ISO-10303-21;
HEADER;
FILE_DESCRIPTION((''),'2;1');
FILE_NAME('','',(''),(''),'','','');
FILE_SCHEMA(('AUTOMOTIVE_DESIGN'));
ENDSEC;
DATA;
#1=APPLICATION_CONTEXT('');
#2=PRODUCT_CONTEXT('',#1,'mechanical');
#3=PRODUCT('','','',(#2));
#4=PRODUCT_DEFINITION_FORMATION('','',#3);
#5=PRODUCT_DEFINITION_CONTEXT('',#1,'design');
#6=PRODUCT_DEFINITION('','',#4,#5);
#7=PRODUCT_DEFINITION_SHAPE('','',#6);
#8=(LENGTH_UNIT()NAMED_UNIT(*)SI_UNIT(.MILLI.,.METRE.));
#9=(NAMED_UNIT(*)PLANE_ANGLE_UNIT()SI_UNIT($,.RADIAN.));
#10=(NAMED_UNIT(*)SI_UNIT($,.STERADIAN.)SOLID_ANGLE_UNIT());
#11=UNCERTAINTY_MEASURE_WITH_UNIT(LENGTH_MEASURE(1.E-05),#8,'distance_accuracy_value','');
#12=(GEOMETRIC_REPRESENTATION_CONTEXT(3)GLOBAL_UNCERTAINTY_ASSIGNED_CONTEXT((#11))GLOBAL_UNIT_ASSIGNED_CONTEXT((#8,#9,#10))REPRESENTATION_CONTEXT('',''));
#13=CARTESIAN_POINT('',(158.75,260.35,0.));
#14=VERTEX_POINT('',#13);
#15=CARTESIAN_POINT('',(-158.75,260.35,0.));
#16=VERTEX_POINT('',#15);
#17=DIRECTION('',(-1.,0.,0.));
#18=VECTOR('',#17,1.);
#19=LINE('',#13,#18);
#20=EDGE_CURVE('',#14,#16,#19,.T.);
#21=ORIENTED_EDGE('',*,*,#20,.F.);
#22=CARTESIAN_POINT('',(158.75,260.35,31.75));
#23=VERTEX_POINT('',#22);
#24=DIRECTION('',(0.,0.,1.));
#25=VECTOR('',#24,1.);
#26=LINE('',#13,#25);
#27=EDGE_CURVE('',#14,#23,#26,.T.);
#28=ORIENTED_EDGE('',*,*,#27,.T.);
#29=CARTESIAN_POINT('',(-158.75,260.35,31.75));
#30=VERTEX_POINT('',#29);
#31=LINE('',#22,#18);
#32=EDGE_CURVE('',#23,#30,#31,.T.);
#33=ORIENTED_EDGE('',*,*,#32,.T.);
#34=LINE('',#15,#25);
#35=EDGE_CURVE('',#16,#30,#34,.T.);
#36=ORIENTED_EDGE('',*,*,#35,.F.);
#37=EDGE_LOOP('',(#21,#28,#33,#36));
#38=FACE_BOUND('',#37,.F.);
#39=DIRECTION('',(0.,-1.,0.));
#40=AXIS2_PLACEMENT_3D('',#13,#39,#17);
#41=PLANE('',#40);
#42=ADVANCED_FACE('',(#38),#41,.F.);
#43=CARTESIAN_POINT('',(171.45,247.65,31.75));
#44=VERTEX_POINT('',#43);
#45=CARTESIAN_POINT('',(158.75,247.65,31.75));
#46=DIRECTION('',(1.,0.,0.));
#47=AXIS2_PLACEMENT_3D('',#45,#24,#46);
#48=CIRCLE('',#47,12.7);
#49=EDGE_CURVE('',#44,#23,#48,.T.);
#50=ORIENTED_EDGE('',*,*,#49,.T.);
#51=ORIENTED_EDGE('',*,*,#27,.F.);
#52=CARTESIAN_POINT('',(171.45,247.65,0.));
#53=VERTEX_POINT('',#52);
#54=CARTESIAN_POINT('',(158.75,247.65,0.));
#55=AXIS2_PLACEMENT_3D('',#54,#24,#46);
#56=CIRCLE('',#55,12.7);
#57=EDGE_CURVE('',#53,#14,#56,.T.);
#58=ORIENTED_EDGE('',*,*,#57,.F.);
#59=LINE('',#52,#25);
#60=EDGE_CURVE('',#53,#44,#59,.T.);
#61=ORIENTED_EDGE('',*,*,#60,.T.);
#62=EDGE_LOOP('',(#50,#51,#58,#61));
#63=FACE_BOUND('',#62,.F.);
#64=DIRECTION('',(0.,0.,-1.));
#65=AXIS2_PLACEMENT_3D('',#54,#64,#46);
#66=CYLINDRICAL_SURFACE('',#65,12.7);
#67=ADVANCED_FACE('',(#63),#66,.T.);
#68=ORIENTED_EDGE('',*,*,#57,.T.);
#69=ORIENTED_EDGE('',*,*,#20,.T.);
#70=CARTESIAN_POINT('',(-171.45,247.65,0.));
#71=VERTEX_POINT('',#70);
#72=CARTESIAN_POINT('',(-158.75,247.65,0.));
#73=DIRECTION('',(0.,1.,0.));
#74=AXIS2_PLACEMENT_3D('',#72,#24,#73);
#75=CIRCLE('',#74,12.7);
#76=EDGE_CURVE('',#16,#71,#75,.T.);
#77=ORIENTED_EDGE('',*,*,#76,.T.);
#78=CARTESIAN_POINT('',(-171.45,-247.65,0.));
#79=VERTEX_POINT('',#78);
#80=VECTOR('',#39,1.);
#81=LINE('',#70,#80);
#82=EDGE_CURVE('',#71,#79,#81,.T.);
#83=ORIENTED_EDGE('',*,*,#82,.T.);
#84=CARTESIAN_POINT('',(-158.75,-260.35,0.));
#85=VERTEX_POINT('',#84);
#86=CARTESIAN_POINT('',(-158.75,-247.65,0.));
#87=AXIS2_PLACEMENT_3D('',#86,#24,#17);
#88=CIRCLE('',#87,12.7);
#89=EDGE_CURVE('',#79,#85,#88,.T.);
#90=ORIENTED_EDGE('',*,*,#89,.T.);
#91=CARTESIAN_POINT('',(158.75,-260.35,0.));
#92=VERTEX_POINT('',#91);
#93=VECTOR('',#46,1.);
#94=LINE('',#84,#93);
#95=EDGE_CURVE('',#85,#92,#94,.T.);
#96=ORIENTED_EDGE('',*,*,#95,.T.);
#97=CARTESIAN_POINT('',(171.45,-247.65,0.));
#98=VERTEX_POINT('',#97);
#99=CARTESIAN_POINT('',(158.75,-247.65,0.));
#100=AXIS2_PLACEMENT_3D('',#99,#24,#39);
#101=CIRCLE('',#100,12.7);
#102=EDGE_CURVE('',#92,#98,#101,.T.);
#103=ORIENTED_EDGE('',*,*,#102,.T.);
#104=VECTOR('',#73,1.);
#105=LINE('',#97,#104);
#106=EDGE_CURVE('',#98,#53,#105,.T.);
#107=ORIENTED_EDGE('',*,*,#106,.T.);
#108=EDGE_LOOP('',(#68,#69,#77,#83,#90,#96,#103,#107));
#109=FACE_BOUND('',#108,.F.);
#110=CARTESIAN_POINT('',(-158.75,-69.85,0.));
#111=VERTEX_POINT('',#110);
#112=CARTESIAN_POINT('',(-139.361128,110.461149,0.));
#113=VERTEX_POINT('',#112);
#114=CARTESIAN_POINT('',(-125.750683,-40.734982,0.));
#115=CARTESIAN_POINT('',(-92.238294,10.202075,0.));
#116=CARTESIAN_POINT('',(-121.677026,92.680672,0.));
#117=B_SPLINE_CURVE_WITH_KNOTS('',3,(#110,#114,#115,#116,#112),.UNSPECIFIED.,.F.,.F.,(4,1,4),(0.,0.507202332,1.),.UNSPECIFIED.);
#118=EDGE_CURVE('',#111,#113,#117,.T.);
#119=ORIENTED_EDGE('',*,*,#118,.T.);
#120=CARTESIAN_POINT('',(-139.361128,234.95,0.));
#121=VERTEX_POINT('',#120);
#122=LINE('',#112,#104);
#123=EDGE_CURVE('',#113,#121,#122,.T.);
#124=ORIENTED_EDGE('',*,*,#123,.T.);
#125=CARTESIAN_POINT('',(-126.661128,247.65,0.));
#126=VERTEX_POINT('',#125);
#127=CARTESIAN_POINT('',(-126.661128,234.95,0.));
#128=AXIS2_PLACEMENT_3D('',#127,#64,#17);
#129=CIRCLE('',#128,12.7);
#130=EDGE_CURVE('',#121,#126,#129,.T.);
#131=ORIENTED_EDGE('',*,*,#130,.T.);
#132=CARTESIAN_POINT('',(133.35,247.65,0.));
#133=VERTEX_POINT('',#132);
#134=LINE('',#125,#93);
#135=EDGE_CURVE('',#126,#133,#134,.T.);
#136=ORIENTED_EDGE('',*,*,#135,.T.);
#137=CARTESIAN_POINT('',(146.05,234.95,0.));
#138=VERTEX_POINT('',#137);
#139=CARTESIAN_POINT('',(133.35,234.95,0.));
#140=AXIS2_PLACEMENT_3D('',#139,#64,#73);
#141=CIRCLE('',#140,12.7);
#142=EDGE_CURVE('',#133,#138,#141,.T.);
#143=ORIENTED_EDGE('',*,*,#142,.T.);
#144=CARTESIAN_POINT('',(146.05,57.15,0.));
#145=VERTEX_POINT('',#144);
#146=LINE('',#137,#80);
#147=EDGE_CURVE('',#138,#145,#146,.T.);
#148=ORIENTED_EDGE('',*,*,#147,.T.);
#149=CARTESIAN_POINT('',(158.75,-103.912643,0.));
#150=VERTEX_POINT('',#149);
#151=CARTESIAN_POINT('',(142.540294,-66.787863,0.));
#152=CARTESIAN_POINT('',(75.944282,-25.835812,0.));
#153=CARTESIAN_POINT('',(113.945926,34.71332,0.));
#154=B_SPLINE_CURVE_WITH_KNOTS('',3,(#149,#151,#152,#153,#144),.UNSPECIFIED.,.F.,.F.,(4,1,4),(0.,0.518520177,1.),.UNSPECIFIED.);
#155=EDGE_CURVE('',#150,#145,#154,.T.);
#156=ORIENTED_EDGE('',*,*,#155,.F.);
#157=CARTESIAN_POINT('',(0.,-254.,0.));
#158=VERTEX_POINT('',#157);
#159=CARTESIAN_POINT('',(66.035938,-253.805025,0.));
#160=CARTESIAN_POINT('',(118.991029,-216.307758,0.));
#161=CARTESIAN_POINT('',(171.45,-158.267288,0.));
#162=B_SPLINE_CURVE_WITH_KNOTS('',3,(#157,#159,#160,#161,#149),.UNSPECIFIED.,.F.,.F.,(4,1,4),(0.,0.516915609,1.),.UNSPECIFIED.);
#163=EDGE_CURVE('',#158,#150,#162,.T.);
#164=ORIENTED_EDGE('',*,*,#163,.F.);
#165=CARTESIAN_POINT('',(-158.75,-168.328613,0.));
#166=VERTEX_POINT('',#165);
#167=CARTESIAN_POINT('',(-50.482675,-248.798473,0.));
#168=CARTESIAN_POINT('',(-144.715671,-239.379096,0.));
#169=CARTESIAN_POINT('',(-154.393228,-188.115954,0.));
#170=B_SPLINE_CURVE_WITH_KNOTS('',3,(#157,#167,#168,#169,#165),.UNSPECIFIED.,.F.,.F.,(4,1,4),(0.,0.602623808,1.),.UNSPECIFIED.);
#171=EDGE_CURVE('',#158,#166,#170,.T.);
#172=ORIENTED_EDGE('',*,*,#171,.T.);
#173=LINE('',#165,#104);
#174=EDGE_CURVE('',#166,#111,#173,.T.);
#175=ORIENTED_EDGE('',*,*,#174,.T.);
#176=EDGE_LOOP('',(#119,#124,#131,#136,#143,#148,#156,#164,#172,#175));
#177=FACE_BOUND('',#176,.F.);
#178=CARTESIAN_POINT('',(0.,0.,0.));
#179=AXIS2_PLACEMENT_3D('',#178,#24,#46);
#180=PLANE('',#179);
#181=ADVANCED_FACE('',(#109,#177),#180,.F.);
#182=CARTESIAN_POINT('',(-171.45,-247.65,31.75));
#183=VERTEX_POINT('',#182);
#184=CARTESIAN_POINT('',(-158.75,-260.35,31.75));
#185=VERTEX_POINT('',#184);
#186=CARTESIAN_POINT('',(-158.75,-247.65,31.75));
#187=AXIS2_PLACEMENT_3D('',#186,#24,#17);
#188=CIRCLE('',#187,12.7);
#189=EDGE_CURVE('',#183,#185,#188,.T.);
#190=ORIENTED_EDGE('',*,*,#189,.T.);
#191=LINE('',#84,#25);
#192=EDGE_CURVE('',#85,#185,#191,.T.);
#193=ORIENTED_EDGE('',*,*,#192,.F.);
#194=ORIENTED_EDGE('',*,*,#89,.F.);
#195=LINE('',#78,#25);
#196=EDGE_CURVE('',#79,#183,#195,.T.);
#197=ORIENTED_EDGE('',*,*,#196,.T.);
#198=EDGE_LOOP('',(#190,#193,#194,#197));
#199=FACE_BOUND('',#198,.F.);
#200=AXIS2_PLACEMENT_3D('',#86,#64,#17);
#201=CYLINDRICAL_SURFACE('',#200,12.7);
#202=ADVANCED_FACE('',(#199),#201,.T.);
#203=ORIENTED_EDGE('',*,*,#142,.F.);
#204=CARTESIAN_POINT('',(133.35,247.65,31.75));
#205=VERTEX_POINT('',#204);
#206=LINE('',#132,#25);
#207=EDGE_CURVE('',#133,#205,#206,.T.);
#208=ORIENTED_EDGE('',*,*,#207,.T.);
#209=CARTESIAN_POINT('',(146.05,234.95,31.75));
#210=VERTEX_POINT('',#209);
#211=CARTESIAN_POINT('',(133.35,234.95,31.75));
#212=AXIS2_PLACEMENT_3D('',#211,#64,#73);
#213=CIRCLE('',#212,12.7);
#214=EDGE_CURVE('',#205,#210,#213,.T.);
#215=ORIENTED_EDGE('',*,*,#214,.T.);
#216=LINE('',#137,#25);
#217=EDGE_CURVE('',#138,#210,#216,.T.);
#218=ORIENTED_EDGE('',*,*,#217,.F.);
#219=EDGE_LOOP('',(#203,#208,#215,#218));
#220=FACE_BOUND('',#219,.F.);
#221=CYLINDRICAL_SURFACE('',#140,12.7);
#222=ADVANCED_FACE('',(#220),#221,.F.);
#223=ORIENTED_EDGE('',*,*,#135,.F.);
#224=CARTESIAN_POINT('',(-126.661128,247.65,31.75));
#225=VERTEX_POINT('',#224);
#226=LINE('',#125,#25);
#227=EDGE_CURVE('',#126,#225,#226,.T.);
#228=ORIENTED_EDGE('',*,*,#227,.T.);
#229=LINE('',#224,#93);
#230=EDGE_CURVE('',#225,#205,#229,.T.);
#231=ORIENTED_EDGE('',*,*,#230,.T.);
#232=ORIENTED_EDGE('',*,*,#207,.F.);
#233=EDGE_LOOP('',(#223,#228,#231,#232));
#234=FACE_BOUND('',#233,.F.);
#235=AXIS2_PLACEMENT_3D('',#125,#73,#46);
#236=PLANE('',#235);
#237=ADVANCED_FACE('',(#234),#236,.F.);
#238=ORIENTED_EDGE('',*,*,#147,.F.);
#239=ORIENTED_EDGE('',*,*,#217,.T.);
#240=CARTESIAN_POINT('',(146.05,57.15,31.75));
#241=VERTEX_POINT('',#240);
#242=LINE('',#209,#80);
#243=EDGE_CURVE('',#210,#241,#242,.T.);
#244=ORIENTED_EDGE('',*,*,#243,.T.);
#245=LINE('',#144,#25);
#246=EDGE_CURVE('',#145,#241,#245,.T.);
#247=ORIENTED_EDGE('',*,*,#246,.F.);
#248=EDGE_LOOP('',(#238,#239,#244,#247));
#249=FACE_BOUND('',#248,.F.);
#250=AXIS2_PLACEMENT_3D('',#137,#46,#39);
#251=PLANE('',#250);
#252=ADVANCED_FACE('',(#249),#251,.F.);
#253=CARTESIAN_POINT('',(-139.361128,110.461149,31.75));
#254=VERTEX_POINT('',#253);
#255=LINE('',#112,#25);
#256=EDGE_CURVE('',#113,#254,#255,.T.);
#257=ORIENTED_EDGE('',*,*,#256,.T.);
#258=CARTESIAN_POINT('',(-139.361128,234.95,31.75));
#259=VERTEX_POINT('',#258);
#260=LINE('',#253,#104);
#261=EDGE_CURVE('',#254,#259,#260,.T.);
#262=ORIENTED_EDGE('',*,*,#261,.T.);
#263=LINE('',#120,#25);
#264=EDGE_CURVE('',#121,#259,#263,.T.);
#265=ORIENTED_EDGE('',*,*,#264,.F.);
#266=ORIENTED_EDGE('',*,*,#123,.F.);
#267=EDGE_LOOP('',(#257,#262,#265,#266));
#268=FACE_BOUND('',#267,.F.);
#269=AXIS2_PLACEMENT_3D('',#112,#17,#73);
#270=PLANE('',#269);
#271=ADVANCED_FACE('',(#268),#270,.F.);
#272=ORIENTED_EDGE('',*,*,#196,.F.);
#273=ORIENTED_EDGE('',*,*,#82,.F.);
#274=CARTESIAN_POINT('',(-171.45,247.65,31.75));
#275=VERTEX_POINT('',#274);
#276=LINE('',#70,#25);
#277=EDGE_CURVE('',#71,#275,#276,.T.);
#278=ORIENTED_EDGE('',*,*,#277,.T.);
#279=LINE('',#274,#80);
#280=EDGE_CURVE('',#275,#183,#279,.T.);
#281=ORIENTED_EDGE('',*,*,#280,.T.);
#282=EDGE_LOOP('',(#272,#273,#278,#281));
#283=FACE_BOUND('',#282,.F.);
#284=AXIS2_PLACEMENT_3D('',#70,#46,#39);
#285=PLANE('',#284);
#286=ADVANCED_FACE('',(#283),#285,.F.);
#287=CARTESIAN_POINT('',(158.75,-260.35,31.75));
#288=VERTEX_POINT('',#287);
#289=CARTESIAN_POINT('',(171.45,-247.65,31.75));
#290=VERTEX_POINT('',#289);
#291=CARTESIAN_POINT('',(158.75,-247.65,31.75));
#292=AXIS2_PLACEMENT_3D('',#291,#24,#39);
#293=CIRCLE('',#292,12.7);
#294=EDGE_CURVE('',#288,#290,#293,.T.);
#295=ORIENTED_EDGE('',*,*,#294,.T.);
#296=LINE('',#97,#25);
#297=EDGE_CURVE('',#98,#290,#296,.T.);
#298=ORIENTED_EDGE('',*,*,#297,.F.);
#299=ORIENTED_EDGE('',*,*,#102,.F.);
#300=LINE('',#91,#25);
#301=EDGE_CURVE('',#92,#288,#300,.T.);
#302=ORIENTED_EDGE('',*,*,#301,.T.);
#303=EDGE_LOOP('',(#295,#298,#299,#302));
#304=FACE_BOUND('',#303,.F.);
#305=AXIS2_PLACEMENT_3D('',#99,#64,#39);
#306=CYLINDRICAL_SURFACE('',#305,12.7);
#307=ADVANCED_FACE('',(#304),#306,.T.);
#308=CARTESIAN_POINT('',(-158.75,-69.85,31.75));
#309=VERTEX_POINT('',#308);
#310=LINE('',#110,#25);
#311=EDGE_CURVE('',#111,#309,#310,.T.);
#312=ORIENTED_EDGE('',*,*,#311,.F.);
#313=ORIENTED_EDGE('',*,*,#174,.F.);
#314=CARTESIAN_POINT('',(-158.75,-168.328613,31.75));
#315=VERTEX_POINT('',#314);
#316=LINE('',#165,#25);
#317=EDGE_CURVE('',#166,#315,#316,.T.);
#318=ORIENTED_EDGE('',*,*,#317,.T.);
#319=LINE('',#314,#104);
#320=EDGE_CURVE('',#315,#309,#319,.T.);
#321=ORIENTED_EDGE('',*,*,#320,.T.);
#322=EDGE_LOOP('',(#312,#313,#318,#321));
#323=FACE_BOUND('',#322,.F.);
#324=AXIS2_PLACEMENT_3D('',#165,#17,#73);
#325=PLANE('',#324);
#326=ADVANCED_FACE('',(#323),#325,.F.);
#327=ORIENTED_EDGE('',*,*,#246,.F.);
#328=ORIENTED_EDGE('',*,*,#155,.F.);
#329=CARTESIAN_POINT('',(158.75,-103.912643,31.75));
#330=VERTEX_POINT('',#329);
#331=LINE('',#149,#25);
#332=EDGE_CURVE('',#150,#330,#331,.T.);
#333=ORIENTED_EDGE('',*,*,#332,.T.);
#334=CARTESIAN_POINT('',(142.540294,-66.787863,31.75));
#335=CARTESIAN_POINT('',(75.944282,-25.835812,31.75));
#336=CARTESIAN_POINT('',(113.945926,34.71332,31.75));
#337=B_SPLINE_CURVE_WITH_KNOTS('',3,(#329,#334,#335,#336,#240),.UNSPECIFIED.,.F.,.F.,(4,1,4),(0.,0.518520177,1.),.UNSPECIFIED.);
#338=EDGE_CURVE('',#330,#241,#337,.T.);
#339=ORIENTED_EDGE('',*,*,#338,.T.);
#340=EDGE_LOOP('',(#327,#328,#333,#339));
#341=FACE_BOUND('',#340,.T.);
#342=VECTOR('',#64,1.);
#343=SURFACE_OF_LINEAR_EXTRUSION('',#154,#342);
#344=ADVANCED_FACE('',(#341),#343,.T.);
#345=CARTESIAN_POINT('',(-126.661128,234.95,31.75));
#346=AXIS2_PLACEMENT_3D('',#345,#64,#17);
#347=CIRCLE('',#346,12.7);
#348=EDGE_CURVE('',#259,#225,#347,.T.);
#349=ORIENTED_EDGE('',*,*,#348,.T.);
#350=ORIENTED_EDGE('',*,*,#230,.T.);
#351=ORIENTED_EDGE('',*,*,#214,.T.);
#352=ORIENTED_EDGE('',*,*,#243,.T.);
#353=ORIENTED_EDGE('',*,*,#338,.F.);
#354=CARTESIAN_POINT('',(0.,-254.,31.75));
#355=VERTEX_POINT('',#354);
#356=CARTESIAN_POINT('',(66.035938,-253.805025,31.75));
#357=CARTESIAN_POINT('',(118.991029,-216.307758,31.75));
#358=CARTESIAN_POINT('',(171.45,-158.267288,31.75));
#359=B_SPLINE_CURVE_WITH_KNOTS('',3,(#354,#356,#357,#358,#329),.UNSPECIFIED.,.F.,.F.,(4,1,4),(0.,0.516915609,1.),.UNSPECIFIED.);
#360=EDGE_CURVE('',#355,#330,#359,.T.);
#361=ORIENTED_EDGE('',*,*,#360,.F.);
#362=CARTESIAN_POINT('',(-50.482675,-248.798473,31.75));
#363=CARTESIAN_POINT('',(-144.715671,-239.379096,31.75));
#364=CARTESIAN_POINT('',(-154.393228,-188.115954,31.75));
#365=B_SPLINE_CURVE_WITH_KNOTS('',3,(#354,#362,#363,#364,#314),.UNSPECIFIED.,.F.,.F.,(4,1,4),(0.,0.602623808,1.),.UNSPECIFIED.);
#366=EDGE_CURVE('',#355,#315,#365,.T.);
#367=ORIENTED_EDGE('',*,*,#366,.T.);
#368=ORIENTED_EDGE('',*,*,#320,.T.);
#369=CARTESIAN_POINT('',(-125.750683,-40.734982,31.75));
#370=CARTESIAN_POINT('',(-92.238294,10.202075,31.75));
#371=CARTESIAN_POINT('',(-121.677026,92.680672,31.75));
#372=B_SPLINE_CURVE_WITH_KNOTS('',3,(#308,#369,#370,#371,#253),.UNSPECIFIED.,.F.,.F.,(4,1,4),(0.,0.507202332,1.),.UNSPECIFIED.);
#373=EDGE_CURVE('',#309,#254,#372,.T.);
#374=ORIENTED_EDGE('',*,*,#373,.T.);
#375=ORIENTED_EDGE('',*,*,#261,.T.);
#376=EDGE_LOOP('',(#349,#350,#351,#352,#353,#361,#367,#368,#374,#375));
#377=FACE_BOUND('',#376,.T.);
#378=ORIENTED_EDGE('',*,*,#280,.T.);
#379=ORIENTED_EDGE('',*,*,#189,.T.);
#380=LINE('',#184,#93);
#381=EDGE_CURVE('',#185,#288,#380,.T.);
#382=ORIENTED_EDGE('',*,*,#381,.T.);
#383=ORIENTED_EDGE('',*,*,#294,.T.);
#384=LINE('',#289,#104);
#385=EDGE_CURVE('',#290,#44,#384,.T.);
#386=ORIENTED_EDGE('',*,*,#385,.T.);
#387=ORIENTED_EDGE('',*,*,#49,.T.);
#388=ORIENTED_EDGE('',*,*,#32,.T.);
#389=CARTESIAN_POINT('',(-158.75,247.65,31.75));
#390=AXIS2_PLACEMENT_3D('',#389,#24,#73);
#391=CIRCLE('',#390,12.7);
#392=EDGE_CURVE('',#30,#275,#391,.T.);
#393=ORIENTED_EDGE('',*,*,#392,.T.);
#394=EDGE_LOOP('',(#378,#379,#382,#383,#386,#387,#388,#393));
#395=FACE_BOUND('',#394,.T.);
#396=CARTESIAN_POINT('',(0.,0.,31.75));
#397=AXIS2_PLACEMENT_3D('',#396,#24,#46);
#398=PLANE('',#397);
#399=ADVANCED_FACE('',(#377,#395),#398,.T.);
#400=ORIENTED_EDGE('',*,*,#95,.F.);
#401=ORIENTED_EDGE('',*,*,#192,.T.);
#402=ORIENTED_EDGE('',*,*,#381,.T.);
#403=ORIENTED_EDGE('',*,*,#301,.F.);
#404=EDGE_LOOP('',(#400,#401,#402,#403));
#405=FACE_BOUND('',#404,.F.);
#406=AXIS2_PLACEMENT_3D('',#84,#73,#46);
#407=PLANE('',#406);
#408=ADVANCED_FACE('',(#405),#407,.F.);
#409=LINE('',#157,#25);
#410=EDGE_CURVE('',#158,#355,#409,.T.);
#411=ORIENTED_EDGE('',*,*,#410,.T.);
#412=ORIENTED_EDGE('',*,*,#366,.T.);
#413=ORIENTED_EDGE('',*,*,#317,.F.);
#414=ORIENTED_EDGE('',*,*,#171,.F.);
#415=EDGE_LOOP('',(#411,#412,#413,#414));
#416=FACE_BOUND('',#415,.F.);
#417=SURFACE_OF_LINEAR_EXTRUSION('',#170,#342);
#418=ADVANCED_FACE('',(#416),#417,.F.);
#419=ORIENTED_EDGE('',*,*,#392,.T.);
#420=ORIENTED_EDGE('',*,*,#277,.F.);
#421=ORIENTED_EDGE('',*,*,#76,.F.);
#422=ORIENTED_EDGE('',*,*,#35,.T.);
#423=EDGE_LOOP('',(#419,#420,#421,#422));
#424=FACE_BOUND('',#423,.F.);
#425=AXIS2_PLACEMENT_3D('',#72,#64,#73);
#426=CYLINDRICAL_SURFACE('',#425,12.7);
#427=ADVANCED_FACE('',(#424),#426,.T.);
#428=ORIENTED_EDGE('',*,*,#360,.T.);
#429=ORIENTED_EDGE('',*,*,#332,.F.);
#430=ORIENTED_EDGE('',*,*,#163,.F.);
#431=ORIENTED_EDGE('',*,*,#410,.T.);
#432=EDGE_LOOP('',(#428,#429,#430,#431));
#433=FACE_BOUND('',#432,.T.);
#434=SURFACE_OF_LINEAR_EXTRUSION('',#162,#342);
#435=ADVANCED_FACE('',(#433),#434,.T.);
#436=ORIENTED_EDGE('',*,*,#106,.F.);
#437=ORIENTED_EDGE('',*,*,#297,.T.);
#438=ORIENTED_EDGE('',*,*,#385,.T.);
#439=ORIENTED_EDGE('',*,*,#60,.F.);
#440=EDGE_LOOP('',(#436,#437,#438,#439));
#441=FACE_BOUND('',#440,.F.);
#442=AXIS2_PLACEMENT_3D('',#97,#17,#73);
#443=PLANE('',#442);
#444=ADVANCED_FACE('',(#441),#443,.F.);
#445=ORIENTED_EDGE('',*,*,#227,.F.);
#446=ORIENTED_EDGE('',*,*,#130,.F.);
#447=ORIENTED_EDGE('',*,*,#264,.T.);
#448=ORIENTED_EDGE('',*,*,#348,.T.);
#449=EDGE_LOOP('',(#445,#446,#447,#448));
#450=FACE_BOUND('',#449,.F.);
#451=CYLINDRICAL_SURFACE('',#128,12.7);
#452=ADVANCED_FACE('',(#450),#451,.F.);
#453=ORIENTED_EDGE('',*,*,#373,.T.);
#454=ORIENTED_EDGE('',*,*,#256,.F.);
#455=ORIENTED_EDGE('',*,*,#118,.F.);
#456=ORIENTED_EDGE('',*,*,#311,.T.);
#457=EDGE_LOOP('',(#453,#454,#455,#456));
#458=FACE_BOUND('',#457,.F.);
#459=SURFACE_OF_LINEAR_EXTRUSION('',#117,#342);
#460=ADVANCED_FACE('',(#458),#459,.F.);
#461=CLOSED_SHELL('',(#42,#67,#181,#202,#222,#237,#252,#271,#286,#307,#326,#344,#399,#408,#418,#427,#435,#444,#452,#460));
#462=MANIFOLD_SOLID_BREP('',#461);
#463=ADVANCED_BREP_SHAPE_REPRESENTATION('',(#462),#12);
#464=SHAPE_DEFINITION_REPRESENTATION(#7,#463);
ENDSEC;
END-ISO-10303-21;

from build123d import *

# Parameters (mm, degrees)
F1_DEPTH = 31.75


with BuildPart() as f1:
    # F0 (on Top) → F1 (new body)
    with BuildSketch(Plane.XY):
        with BuildLine():
            Line((158.75, 260.35), (-158.75, 260.35))
            ThreePointArc((-158.75, 260.35), (-167.7302561211, 256.6302561211), (-171.45, 247.65))
            Line((-171.45, 247.65), (-171.45, -247.65))
            ThreePointArc((-171.45, -247.65), (-167.7302561211, -256.6302561211), (-158.75, -260.35))
            Line((-158.75, -260.35), (158.75, -260.35))
            ThreePointArc((158.75, -260.35), (167.7302561211, -256.6302561211), (171.45, -247.65))
            Line((171.45, -247.65), (171.45, 247.65))
            ThreePointArc((171.45, 247.65), (167.7302561211, 256.6302561211), (158.75, 260.35))
        make_face()
        with BuildLine():
            Line((-158.75, -168.3286130428), (-158.75, -69.85))
            add(Edge.make_bspline(
                [(-158.75, -69.85), (-125.750682879, -40.734982306), (-92.2382944115, 10.2020752056), (-121.6770256204, 92.6806720408), (-139.361128211, 110.4611489052)],
                knots=[0, 0, 0, 0, 0.5072023317, 1, 1, 1, 1], degree=3))
            Line((-139.361128211, 110.4611489052), (-139.361128211, 234.95))
            ThreePointArc((-139.361128211, 234.95), (-135.6413843321, 243.9302561211), (-126.661128211, 247.65))
            Line((-126.661128211, 247.65), (133.35, 247.65))
            ThreePointArc((133.35, 247.65), (142.3302561211, 243.9302561211), (146.05, 234.95))
            Line((146.05, 234.95), (146.05, 57.15))
            add(Edge.make_bspline(
                [(158.75, -103.9126433709), (142.5402943494, -66.7878627422), (75.9442820469, -25.835811925), (113.945925891, 34.7133202034), (146.05, 57.15)],
                knots=[0, 0, 0, 0, 0.5185201768, 1, 1, 1, 1], degree=3))
            add(Edge.make_bspline(
                [(0, -254), (66.0359377439, -253.8050247003), (118.9910289501, -216.3077578574), (171.45, -158.2672882658), (158.75, -103.9126433709)],
                knots=[0, 0, 0, 0, 0.5169156089, 1, 1, 1, 1], degree=3))
            add(Edge.make_bspline(
                [(0, -254), (-50.4826754374, -248.7984731698), (-144.7156709879, -239.3790961357), (-154.3932279359, -188.1159541937), (-158.75, -168.3286130428)],
                knots=[0, 0, 0, 0, 0.6026238082, 1, 1, 1, 1], degree=3))
        make_face(mode=Mode.SUBTRACT)
    extrude(amount=F1_DEPTH)


solid = f1.part
